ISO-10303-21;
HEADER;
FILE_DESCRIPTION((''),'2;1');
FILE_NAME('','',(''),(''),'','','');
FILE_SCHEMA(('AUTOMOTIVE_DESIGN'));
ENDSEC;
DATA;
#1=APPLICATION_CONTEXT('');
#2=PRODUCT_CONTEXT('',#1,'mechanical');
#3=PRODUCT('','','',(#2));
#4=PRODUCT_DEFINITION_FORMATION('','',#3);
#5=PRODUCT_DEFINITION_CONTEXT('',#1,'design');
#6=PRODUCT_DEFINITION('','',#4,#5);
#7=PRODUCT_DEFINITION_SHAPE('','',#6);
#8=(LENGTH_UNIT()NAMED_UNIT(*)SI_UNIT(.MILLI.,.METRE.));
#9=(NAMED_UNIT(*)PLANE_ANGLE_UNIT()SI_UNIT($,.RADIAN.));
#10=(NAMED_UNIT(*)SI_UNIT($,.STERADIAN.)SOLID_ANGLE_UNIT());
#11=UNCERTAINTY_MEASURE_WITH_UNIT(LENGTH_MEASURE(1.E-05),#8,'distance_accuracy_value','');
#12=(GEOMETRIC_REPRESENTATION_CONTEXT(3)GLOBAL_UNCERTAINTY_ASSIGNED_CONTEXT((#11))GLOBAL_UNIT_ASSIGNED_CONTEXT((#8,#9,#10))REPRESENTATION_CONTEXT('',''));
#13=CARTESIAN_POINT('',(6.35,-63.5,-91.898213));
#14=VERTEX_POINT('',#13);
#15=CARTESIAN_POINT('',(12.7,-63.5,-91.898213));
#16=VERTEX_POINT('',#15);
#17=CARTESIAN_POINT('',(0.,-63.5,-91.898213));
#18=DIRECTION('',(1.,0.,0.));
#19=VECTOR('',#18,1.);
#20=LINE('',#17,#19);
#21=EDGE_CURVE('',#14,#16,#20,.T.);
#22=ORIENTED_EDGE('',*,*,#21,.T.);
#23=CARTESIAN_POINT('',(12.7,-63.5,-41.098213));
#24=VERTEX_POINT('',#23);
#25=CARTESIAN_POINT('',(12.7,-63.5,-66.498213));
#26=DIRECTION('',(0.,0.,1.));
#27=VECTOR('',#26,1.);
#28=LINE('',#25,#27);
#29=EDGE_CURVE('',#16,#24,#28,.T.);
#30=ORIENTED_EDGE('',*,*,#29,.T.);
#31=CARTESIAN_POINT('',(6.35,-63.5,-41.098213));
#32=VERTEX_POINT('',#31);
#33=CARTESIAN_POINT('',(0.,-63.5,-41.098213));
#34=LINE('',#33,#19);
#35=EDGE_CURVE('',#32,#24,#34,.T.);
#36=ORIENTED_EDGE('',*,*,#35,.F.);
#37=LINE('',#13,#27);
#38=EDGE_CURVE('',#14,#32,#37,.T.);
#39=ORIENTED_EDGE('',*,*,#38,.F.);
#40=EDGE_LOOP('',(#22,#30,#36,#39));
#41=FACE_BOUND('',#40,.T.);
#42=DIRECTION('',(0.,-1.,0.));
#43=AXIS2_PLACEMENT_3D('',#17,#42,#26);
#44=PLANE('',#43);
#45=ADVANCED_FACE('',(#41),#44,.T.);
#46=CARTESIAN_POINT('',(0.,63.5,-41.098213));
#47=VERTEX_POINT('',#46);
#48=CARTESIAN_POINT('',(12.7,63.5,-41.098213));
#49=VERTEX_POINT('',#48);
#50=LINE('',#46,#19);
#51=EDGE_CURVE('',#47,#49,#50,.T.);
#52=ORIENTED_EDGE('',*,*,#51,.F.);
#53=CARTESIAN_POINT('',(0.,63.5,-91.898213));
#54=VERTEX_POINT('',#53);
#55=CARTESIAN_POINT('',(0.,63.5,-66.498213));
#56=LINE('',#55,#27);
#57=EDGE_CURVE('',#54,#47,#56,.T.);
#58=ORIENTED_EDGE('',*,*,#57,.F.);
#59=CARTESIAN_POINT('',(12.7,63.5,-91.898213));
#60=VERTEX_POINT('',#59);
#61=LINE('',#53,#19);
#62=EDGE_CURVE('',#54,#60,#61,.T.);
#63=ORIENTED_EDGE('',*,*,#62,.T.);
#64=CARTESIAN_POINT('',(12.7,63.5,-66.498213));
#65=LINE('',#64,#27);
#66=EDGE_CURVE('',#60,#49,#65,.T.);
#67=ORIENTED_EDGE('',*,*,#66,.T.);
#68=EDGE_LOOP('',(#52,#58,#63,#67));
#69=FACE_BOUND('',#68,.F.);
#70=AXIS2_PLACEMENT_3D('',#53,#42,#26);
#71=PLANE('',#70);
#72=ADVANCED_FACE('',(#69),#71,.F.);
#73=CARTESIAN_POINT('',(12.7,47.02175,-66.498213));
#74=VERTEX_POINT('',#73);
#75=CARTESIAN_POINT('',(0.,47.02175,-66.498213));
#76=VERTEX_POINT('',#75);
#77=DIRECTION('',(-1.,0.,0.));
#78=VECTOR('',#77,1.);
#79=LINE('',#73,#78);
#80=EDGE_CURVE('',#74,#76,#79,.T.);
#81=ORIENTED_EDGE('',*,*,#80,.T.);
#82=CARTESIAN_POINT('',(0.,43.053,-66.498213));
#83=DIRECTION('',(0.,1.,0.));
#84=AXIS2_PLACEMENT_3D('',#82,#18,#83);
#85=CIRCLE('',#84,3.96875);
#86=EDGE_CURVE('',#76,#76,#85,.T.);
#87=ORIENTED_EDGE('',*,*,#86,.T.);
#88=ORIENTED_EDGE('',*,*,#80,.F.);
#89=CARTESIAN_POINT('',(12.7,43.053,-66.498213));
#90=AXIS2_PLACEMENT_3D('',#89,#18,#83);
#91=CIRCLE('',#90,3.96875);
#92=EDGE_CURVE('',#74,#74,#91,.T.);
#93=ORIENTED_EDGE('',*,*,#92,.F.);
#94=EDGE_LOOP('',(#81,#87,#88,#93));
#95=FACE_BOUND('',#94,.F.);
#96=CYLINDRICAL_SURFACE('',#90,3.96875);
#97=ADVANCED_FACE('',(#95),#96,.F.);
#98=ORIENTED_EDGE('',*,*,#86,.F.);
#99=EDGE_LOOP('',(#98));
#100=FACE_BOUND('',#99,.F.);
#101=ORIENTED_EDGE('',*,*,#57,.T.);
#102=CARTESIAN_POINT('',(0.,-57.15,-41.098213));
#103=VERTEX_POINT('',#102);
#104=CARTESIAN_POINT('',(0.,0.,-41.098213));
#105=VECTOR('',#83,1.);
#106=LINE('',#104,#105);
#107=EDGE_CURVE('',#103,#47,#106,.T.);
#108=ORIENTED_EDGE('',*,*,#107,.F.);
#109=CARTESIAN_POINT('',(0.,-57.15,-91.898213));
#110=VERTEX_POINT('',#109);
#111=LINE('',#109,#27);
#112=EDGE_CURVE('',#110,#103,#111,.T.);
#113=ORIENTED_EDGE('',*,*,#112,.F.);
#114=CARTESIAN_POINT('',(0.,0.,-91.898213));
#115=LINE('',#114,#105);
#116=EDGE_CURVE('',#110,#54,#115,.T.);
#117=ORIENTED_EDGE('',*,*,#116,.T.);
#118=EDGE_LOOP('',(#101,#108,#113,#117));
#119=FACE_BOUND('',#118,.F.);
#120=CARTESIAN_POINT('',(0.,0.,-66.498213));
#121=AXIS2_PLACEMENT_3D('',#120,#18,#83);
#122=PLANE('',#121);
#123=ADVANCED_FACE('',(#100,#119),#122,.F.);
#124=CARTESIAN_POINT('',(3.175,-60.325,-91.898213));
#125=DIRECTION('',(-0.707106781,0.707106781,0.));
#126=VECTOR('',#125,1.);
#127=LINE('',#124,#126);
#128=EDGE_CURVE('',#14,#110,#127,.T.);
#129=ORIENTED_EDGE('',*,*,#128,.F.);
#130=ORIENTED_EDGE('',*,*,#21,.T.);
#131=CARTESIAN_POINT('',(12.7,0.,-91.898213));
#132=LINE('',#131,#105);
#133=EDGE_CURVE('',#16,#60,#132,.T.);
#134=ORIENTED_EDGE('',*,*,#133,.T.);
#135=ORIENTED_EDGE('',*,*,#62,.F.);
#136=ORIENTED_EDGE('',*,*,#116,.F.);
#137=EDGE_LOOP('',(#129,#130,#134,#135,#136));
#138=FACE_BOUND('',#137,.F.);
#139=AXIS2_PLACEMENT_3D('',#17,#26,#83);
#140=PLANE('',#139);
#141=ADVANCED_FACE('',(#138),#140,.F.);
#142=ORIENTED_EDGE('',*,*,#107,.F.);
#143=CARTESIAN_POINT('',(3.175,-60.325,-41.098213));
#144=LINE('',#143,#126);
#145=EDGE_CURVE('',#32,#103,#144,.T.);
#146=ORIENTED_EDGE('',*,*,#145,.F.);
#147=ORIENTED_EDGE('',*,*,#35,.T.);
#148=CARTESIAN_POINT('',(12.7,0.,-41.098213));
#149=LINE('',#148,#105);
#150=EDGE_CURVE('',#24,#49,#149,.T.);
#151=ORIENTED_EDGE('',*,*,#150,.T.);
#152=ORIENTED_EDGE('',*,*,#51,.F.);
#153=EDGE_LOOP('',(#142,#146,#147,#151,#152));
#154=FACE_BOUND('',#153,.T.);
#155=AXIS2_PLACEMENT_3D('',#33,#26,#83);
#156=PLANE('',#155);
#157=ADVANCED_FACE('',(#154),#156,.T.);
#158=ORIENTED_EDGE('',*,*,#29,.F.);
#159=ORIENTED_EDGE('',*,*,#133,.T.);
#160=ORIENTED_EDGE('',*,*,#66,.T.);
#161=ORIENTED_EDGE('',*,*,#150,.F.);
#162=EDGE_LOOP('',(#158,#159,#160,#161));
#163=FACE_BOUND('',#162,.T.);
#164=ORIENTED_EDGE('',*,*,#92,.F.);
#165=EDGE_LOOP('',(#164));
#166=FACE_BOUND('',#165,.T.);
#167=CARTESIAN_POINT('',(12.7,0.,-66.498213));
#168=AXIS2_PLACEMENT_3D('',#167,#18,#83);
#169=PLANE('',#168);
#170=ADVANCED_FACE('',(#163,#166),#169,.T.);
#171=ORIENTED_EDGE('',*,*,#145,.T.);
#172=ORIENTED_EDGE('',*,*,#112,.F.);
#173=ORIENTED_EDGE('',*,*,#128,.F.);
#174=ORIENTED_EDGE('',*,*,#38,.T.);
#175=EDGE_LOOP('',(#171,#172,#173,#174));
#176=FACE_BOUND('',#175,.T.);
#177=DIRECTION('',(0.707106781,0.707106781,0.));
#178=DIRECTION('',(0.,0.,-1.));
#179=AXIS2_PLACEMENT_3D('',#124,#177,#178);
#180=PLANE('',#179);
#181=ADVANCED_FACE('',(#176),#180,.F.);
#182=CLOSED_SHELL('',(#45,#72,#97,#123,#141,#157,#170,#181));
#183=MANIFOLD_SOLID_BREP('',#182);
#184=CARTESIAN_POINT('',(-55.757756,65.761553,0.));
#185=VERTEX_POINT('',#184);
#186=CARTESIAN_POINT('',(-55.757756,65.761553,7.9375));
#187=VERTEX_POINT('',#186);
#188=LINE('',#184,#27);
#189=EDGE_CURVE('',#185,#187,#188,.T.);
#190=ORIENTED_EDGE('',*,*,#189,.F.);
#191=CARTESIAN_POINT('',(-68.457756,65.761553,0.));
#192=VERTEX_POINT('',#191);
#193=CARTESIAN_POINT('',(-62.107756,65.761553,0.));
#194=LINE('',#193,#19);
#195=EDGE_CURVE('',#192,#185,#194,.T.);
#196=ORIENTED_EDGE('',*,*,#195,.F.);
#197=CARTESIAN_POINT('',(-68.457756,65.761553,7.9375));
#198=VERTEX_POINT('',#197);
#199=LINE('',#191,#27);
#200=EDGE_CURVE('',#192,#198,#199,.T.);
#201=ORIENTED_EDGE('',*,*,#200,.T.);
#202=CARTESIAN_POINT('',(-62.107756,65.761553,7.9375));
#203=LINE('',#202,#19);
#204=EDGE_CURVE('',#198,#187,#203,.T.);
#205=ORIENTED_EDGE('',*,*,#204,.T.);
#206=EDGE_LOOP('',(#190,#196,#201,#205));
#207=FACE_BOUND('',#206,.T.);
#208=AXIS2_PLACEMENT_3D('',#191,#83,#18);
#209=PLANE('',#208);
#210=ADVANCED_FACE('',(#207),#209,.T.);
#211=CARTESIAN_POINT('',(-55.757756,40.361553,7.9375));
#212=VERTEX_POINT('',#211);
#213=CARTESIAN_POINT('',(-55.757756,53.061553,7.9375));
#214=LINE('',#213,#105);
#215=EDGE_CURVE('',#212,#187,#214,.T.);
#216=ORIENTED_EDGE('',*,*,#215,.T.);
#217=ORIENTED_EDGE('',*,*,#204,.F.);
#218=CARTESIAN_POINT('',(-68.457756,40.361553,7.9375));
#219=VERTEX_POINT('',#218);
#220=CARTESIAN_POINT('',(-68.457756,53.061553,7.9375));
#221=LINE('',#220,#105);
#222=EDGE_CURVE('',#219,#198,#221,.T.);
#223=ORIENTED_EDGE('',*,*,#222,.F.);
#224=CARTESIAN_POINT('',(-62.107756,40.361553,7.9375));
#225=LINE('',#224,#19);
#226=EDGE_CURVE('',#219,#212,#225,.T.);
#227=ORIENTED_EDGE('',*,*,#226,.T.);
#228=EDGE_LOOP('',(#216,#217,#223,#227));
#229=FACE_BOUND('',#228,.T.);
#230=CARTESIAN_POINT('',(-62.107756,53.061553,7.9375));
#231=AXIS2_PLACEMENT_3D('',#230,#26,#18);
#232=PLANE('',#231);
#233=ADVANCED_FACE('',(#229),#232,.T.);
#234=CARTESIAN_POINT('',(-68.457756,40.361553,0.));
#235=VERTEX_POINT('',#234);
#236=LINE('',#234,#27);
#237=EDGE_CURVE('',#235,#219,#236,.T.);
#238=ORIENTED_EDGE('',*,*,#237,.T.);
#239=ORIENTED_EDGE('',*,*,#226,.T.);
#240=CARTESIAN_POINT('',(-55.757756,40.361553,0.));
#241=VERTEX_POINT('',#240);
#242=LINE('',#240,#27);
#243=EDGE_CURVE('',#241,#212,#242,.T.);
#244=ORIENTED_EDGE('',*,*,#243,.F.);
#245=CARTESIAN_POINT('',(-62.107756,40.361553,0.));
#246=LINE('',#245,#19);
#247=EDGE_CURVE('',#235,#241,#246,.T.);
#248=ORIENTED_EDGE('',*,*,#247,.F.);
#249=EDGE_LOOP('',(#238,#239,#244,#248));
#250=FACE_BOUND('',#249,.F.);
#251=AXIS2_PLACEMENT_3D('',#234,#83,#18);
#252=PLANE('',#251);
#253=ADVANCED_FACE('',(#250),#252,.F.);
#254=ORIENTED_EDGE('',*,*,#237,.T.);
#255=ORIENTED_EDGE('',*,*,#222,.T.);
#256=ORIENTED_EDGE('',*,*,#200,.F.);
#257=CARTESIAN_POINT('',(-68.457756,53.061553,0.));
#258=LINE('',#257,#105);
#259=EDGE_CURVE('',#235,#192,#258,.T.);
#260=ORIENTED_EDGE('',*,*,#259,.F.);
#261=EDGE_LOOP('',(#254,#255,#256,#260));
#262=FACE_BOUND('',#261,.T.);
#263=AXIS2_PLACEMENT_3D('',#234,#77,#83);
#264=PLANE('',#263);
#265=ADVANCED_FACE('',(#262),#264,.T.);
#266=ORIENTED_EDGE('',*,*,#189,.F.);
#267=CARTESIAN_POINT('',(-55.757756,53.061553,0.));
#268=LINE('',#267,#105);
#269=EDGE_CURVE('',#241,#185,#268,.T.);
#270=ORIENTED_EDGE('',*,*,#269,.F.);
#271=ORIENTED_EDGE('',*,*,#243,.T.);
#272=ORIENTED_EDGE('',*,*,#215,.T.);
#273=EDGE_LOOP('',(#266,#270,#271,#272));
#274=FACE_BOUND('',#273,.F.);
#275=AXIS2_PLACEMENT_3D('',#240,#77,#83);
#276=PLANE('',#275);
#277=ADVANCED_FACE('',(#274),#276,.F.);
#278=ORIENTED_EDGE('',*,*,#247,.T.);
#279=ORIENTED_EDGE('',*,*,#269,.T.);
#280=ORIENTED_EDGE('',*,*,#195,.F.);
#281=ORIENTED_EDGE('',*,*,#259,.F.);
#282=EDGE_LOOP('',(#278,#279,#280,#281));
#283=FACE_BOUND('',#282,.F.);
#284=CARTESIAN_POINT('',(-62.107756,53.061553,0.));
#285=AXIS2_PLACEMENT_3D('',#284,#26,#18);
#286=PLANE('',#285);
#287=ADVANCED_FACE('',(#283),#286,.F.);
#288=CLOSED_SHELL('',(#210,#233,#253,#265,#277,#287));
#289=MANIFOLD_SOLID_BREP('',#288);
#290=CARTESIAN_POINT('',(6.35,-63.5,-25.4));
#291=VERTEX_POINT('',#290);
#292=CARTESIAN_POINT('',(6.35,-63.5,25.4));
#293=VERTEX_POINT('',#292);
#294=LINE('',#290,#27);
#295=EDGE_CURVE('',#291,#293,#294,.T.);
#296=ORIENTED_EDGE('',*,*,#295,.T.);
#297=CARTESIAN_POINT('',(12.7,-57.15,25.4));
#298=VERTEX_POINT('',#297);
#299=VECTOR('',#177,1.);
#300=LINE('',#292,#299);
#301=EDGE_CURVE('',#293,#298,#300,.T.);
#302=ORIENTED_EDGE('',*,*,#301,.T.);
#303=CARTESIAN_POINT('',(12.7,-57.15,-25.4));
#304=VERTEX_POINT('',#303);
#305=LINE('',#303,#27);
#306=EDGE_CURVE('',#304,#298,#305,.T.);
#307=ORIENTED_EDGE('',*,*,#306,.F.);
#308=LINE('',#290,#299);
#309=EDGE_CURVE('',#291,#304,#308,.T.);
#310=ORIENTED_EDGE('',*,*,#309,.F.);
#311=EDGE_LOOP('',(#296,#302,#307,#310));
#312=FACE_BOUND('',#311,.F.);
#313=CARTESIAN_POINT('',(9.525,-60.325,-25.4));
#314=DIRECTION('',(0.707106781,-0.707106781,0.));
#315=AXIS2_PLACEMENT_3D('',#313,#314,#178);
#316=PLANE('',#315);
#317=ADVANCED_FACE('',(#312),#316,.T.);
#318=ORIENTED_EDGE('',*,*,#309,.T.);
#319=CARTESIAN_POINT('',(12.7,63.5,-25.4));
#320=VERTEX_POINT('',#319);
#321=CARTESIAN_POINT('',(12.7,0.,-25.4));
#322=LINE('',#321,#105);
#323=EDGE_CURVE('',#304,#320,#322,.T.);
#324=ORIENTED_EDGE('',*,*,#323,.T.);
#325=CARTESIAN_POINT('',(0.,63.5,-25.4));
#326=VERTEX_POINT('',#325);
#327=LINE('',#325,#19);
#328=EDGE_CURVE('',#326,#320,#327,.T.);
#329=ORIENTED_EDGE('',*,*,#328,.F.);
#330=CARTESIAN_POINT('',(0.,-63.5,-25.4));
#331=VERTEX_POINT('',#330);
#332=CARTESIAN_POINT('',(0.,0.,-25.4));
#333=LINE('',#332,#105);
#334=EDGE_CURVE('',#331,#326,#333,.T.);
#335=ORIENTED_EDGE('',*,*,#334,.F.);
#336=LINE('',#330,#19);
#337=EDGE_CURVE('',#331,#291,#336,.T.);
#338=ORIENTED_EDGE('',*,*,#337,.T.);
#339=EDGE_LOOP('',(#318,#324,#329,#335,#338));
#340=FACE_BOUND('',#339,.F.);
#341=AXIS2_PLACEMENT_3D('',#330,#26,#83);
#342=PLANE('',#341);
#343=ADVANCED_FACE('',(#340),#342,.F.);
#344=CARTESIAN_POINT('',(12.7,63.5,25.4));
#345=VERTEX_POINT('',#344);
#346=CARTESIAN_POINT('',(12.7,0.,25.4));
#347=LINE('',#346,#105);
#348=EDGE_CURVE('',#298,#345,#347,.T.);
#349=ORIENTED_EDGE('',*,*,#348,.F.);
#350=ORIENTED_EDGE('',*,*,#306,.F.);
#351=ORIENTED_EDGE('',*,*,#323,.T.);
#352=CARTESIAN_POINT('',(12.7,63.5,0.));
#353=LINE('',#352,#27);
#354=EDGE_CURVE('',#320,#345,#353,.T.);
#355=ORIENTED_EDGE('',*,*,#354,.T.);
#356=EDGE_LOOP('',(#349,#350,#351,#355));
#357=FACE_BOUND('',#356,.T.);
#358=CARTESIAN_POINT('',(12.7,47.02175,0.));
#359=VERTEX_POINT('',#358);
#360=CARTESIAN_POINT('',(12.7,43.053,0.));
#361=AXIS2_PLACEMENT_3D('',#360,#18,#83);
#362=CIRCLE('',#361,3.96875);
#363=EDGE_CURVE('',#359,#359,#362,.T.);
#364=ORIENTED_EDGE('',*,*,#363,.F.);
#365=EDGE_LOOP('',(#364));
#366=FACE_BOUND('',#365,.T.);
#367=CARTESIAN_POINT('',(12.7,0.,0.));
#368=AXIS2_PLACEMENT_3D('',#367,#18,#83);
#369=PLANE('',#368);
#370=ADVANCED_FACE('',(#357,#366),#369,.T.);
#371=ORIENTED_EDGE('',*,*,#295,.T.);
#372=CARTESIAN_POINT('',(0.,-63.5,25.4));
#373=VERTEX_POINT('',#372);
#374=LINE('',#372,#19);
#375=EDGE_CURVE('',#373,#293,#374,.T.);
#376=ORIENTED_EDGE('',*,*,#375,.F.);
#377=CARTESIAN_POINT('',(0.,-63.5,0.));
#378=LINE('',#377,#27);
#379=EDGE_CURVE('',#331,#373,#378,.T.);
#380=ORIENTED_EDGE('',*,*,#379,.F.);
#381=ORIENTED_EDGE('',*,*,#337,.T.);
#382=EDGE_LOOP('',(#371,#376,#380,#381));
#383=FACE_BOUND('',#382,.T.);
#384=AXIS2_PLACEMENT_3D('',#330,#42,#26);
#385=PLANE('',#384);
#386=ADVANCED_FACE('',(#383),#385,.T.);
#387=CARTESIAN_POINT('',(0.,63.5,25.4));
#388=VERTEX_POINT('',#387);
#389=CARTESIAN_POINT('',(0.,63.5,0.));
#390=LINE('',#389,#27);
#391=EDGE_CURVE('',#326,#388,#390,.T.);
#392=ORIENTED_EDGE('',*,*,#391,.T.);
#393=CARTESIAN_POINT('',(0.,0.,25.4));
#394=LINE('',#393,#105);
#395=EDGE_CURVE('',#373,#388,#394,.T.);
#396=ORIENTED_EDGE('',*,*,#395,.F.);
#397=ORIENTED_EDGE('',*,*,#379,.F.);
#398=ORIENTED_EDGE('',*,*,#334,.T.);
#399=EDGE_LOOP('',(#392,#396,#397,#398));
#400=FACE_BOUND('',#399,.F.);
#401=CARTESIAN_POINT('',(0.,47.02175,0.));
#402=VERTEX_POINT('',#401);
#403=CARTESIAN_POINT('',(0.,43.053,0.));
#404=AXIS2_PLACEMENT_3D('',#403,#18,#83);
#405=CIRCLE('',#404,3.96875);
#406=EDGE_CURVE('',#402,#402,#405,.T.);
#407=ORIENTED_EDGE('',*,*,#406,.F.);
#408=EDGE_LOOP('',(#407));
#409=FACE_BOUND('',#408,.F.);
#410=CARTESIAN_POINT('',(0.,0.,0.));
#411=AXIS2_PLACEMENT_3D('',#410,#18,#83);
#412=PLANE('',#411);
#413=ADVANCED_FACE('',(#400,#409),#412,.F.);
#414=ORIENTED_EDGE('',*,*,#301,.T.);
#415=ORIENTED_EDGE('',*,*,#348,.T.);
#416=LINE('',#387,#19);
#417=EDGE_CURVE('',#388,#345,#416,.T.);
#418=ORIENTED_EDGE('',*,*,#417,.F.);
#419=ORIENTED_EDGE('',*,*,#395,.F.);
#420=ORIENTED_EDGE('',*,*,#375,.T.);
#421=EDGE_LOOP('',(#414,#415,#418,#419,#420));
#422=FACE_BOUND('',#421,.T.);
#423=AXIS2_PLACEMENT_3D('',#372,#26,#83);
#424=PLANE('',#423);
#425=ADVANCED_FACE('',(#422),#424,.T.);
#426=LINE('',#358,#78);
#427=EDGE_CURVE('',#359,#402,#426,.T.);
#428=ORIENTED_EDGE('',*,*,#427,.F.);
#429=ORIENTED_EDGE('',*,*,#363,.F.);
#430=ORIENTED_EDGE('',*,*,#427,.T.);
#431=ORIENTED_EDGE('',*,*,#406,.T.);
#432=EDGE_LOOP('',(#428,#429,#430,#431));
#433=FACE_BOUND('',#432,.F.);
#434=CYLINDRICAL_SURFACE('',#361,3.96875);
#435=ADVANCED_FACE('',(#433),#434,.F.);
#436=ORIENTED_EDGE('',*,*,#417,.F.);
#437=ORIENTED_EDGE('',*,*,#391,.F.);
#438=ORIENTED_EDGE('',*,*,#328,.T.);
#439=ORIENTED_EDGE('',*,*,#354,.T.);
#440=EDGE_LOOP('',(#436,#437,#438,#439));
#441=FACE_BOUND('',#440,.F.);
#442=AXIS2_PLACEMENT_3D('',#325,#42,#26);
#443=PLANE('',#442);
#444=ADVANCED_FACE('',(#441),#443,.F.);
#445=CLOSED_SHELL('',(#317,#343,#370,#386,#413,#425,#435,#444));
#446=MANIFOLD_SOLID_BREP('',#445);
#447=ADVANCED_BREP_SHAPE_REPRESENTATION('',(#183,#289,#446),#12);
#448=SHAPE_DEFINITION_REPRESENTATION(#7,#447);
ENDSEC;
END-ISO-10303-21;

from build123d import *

# Parameters (mm, degrees)
F0_W      = 127
F0_H      = 50.8
F1_DEPTH  = 12.7
F2_SIZE   = 6.35
F3_W      = 127
F3_H      = 50.8
F4_DEPTH  = 12.7
F5_SIZE   = 6.35
F6_R      = 3.96875
F7_DEPTH  = 12.701
F8_R      = 3.96875
F9_DEPTH  = 12.701
F10_W     = 12.7
F10_H     = 25.4
F11_DEPTH = 7.9375


with BuildPart() as f1:
    # F0 (on Right) → F1 (new body)
    with BuildSketch(Plane.YZ):
        Rectangle(F0_W, F0_H)
    extrude(amount=F1_DEPTH)

    # F2
    f2_edges = [f1.edges().sort_by_distance(p)[0] for p in [
        (12.7, -63.5, 0),
    ]]
    chamfer(f2_edges, length=F2_SIZE)

    # F6 (on face) → F7 (cut, through all)
    with BuildSketch(Plane.YZ.offset(12.7)):
        with Locations((43.053, 0)):
            Circle(F6_R)
    extrude(amount=-F7_DEPTH, mode=Mode.SUBTRACT)


with BuildPart() as f4:
    # F3 (on Right) → F4 (new body)
    with BuildSketch(Plane.YZ):
        with Locations((0, -66.498213)):
            Rectangle(F3_W, F3_H)
    extrude(amount=F4_DEPTH)

    # F5
    f5_edges = [f4.edges().sort_by_distance(p)[0] for p in [
        (0, -63.5, -66.498213),
    ]]
    chamfer(f5_edges, length=F5_SIZE)

    # F8 (on face) → F9 (cut, through all)
    with BuildSketch(Plane.YZ.offset(12.7)):
        with Locations((43.053, -66.498213)):
            Circle(F8_R)
    extrude(amount=-F9_DEPTH, mode=Mode.SUBTRACT)


with BuildPart() as f11:
    # F10 (on Top) → F11 (new body)
    with BuildSketch(Plane.XY):
        with Locations((-62.107756, 53.061553)):
            Rectangle(F10_W, F10_H)
    extrude(amount=F11_DEPTH)


solid = Compound([f1.part, f4.part, f11.part])
